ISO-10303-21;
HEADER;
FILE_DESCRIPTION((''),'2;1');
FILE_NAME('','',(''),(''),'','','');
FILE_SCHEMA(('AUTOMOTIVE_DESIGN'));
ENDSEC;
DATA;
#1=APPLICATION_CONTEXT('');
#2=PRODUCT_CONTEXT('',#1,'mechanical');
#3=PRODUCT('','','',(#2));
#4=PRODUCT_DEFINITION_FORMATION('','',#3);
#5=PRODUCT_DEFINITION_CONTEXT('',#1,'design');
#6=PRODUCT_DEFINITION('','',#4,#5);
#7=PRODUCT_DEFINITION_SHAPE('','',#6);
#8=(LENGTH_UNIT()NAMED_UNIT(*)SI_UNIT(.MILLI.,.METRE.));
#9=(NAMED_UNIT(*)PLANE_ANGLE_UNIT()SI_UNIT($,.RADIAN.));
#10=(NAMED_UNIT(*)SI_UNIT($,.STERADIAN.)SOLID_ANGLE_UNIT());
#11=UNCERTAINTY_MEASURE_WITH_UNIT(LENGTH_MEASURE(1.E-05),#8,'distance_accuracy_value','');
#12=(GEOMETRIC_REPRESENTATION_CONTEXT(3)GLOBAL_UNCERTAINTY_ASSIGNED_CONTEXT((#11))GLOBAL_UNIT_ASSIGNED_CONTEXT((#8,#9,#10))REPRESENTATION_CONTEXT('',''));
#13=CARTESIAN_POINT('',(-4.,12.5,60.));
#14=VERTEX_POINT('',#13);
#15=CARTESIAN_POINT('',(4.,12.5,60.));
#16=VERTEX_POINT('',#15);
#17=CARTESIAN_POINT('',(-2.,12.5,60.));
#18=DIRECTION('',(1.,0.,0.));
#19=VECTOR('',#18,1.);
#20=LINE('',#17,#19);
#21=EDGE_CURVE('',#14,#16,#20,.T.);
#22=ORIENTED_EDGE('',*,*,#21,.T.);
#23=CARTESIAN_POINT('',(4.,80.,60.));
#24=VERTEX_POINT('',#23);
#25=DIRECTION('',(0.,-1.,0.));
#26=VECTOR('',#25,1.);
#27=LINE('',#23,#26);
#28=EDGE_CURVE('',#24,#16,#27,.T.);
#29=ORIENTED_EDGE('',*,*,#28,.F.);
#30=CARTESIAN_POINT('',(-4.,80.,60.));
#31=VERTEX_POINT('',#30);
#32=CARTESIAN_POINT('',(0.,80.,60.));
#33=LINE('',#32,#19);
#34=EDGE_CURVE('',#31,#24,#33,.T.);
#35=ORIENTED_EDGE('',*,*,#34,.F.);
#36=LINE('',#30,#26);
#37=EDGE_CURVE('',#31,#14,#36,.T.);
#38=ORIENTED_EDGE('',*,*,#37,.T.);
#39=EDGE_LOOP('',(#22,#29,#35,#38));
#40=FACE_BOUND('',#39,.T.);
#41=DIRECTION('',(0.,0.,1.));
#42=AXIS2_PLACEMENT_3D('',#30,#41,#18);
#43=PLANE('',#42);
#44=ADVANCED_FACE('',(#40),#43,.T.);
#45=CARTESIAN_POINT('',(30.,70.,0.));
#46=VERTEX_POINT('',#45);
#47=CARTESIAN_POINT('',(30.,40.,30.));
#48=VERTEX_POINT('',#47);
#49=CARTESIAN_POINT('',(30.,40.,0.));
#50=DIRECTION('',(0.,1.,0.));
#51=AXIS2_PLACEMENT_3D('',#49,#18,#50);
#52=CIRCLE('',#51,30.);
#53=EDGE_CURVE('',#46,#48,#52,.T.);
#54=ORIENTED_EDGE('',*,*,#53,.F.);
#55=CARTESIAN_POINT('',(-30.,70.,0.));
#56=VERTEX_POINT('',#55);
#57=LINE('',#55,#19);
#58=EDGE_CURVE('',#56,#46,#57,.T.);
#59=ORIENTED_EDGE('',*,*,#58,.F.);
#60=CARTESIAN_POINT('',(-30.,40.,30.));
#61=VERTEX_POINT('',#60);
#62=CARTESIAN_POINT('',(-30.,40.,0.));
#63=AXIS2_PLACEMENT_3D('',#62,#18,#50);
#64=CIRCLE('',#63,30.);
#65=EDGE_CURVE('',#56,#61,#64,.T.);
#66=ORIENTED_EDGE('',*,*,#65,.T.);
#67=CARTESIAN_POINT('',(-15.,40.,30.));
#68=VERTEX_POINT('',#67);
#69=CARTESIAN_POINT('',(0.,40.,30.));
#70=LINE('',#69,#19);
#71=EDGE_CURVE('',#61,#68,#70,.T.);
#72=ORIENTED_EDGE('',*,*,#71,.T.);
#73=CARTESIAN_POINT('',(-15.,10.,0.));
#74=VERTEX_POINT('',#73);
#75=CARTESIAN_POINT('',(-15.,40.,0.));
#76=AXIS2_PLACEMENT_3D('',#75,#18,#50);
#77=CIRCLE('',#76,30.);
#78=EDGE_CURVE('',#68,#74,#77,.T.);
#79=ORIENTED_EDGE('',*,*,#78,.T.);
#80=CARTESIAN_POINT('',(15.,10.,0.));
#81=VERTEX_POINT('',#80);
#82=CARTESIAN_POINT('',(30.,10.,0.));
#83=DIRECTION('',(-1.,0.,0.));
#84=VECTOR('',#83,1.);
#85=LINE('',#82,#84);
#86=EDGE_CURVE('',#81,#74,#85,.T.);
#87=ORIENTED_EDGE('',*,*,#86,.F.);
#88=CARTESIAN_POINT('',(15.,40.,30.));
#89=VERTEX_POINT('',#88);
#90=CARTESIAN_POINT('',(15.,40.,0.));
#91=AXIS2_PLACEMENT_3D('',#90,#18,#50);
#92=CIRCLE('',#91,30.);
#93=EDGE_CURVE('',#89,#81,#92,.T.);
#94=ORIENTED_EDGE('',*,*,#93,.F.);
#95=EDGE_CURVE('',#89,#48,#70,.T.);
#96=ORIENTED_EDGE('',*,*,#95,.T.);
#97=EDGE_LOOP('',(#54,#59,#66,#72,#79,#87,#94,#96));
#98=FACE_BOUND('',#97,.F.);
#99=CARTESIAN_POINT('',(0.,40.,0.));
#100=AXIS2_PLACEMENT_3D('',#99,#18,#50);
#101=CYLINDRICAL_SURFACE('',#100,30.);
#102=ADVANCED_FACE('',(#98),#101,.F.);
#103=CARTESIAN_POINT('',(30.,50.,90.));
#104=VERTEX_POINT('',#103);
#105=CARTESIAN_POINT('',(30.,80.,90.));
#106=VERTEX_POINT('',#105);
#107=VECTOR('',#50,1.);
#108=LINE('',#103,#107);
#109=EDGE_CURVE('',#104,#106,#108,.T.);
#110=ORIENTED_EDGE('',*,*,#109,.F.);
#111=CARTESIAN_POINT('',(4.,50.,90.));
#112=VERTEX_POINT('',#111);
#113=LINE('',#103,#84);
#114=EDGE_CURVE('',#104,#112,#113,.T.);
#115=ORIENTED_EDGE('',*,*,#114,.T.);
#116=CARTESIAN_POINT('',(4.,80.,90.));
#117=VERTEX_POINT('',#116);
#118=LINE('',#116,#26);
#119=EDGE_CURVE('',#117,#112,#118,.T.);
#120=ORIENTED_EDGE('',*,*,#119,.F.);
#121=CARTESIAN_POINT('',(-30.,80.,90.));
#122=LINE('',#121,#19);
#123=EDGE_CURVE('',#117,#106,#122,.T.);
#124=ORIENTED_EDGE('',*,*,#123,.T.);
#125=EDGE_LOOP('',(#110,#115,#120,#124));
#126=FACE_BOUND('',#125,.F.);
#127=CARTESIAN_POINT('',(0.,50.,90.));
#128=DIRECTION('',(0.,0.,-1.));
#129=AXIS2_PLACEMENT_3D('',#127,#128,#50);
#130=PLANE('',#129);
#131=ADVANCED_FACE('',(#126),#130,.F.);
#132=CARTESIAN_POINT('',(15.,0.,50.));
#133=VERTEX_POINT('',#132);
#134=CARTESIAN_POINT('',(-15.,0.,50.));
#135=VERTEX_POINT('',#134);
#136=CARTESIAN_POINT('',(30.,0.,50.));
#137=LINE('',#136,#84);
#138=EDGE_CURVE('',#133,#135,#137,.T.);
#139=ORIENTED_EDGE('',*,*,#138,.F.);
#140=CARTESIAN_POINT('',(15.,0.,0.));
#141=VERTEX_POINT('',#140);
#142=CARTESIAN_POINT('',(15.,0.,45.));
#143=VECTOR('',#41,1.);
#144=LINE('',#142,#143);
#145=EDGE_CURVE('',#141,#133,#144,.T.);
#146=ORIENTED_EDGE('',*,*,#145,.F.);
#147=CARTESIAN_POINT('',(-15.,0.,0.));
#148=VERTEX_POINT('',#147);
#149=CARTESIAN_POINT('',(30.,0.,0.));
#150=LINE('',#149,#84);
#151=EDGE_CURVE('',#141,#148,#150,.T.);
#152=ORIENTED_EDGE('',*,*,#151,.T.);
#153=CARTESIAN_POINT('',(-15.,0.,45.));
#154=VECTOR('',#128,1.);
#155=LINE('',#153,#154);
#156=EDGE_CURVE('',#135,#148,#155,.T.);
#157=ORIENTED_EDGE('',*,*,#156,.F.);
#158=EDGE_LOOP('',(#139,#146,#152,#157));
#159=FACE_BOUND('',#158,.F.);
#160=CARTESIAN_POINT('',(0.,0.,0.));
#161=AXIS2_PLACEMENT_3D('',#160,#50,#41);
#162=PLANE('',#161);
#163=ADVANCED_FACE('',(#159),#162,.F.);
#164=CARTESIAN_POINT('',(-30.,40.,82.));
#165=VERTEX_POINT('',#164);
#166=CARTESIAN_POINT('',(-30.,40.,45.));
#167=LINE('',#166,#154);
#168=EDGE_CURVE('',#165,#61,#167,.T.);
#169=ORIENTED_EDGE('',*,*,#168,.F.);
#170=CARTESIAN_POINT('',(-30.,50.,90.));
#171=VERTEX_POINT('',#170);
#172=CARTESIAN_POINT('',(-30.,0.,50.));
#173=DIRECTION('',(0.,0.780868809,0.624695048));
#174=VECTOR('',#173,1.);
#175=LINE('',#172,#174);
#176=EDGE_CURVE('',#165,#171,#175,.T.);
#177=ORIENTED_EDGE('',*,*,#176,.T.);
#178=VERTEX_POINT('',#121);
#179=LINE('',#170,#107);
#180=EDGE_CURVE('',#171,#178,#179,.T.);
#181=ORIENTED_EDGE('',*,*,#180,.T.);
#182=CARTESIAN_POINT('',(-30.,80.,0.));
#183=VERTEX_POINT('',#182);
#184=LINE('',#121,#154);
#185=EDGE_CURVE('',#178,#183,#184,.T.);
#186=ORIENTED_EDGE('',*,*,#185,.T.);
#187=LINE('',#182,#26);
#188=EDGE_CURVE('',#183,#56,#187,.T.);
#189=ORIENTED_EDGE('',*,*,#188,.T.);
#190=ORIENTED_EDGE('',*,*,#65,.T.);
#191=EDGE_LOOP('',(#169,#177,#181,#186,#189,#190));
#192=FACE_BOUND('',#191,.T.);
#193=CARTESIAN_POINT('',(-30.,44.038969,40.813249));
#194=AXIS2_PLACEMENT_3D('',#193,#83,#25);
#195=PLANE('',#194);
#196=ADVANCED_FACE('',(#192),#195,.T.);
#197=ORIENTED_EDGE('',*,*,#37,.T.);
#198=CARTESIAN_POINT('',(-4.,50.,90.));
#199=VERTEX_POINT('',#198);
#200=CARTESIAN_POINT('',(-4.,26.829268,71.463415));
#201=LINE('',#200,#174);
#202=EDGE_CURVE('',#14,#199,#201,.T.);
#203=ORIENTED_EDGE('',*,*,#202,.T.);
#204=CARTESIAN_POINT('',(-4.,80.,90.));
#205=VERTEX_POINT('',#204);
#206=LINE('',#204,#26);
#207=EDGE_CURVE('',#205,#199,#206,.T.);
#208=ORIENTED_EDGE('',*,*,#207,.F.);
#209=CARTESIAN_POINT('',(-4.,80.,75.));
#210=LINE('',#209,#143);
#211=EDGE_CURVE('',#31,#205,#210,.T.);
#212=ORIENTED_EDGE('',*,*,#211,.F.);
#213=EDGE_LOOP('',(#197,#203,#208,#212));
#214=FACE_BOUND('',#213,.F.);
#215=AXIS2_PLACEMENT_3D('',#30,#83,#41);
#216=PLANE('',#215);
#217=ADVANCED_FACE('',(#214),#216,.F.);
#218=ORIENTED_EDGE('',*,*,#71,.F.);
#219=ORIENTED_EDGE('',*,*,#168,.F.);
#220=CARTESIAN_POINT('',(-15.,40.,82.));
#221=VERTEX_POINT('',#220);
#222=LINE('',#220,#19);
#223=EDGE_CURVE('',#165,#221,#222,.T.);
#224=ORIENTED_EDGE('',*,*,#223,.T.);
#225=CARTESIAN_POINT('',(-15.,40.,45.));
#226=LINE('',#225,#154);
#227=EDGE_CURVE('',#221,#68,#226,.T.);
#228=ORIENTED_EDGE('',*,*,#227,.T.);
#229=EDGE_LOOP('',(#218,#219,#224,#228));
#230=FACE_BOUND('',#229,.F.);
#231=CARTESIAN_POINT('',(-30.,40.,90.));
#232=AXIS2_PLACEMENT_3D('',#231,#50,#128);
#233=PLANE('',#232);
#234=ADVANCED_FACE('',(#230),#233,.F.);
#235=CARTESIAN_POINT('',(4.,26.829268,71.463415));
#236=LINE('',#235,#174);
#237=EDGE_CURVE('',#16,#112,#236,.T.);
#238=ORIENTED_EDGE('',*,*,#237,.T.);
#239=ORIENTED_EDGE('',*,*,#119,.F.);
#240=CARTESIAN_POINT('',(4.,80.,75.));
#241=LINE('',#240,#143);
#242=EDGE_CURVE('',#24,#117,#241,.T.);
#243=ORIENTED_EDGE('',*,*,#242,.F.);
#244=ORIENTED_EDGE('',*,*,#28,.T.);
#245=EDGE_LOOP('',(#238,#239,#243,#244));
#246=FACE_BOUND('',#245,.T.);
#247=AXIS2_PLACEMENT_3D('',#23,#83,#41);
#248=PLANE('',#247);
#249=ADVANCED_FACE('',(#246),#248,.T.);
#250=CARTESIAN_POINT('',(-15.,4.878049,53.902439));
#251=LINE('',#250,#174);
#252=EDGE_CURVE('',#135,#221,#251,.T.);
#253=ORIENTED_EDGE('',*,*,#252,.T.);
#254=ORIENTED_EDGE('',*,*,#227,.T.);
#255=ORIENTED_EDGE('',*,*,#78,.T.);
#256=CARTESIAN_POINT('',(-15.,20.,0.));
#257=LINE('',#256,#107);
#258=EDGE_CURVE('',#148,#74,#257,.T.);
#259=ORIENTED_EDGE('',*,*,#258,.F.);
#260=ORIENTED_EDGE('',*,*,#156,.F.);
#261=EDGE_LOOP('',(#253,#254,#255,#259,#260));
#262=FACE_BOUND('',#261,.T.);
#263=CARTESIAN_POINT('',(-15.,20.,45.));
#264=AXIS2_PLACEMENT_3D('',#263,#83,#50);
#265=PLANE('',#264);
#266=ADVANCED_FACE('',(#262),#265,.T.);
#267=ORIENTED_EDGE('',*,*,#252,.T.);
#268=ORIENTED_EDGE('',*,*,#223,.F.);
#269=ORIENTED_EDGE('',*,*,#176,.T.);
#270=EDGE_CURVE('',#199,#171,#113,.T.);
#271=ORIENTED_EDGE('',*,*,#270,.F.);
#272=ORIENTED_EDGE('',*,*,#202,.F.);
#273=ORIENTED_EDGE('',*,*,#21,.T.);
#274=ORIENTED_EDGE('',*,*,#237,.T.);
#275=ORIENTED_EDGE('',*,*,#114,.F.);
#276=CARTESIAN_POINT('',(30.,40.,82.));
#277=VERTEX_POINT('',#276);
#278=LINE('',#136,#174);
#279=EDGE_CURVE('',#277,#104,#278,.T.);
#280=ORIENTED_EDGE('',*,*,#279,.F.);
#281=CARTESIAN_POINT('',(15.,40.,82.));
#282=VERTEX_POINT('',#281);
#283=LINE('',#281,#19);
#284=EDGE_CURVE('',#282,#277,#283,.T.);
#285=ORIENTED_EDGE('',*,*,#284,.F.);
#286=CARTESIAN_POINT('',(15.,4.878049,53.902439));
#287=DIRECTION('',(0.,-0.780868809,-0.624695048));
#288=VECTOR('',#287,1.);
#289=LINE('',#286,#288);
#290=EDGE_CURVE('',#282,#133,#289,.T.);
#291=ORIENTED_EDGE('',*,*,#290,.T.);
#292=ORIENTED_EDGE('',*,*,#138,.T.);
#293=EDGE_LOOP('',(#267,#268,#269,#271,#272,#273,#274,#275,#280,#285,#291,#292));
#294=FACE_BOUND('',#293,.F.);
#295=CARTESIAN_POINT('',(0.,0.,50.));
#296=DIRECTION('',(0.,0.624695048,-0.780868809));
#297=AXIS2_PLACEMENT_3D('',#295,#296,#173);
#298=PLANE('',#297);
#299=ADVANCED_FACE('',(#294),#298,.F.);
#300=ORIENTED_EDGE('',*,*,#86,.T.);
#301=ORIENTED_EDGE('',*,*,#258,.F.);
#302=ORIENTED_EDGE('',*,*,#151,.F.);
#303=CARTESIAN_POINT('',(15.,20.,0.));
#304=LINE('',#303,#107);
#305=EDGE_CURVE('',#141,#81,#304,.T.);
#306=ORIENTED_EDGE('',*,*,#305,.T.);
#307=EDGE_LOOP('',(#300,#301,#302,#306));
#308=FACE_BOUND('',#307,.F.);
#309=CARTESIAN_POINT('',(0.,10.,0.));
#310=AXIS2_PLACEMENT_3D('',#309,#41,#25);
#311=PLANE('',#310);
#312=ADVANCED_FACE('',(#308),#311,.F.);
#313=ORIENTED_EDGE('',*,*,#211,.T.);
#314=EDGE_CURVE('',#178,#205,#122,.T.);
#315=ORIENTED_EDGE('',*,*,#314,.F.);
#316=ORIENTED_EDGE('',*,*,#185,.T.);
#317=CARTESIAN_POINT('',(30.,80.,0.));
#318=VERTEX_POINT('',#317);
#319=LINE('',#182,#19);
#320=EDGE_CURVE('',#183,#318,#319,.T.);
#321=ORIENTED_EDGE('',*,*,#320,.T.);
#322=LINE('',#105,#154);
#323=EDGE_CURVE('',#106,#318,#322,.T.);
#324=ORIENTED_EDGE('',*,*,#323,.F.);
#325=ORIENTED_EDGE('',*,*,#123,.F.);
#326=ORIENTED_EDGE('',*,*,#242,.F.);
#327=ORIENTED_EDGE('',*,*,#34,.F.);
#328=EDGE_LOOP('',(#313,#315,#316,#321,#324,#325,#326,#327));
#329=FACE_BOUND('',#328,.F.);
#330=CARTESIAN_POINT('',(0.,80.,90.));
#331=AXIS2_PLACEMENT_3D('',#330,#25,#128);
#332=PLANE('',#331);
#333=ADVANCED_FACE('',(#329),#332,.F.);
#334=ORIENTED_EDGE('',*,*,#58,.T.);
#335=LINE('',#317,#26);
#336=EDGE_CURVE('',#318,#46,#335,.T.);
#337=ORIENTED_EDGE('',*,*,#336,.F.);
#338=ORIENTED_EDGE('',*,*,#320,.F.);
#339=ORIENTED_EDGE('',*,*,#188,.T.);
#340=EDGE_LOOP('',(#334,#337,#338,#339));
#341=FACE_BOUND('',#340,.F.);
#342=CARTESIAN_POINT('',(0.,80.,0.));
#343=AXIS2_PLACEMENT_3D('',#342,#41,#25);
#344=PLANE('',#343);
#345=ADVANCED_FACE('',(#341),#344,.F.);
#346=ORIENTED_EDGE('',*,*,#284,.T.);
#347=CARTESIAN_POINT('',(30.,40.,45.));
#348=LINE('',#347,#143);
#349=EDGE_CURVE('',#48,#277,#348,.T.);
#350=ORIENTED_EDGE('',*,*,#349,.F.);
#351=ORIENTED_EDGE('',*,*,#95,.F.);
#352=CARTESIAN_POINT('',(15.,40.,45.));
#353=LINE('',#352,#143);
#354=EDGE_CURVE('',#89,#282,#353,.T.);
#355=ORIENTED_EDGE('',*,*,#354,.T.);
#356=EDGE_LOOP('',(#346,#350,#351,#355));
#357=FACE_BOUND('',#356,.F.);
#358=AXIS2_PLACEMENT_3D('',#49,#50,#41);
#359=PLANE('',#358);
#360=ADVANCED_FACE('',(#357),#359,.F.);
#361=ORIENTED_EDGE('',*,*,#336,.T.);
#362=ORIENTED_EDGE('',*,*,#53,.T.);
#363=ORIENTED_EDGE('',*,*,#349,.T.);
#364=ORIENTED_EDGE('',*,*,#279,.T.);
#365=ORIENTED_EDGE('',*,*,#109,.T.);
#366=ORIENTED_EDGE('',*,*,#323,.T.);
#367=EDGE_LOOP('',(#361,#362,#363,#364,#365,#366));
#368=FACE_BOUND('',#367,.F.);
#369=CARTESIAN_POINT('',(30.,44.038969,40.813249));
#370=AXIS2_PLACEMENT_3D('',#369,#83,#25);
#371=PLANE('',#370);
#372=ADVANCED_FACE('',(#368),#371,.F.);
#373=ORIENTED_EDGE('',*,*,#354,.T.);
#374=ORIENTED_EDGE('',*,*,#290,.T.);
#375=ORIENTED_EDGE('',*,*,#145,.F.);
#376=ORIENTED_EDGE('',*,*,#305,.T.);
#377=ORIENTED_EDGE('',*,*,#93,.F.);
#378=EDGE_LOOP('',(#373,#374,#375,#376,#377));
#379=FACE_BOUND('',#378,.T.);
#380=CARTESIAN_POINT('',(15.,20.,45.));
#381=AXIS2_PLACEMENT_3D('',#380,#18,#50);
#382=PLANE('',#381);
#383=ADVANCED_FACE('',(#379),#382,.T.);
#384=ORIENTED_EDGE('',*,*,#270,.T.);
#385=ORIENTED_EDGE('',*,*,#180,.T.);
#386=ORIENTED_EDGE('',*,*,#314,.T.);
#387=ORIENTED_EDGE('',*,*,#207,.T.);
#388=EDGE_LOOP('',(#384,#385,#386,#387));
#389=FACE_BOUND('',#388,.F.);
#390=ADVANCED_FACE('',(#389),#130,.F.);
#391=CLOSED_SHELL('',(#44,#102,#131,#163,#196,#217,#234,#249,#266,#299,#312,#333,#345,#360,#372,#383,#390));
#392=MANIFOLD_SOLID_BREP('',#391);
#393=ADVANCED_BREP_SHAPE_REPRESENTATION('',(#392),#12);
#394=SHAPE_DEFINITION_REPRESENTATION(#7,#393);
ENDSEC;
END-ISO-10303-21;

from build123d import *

# Parameters (mm, degrees)
PAD_DEPTH       = 30
SKETCH002_W     = 40
SKETCH002_H     = 90
POCKET_DEPTH    = 15
SKETCH003_W     = 40
SKETCH003_H     = 90
POCKET001_DEPTH = 15
SKETCH004_W     = 30
SKETCH004_H     = 8
POCKET002_DEPTH = 80.001


with BuildPart() as part:
    # Sketch → Pad (new body, symmetric)
    with BuildSketch(Plane.YZ):
        with BuildLine():
            ThreePointArc((70, 0), (40, 30), (10, 0))
            Line((10, 0), (0, 0))
            Line((0, 0), (0, 50))
            Line((0, 50), (50, 90))
            Line((50, 90), (80, 90))
            Line((80, 90), (80, 0))
            Line((80, 0), (70, 0))
        make_face()
    extrude(amount=PAD_DEPTH, both=True)

    # Sketch002 (on Face9 of Pad) → Pocket (cut)
    with BuildSketch(Plane.YZ.offset(30)):
        with Locations((20, 45)):
            Rectangle(SKETCH002_W, SKETCH002_H)
    extrude(amount=-POCKET_DEPTH, mode=Mode.SUBTRACT)

    # Sketch003 (on Face2 of Pocket) → Pocket001 (cut)
    with BuildSketch(Plane(origin=(-30, 0, 0), x_dir=(0, 1, 0), z_dir=(-1, 0, 0))):
        with Locations((20, -45)):
            Rectangle(SKETCH003_W, SKETCH003_H)
    extrude(amount=-POCKET001_DEPTH, mode=Mode.SUBTRACT)

    # Sketch004 (on Face10 of Pocket001) → Pocket002 (cut, through all)
    with BuildSketch(Plane.ZX.offset(80)):
        with Locations((75, 0)):
            Rectangle(SKETCH004_W, SKETCH004_H)
    extrude(amount=-POCKET002_DEPTH, mode=Mode.SUBTRACT)


solid = part.part
